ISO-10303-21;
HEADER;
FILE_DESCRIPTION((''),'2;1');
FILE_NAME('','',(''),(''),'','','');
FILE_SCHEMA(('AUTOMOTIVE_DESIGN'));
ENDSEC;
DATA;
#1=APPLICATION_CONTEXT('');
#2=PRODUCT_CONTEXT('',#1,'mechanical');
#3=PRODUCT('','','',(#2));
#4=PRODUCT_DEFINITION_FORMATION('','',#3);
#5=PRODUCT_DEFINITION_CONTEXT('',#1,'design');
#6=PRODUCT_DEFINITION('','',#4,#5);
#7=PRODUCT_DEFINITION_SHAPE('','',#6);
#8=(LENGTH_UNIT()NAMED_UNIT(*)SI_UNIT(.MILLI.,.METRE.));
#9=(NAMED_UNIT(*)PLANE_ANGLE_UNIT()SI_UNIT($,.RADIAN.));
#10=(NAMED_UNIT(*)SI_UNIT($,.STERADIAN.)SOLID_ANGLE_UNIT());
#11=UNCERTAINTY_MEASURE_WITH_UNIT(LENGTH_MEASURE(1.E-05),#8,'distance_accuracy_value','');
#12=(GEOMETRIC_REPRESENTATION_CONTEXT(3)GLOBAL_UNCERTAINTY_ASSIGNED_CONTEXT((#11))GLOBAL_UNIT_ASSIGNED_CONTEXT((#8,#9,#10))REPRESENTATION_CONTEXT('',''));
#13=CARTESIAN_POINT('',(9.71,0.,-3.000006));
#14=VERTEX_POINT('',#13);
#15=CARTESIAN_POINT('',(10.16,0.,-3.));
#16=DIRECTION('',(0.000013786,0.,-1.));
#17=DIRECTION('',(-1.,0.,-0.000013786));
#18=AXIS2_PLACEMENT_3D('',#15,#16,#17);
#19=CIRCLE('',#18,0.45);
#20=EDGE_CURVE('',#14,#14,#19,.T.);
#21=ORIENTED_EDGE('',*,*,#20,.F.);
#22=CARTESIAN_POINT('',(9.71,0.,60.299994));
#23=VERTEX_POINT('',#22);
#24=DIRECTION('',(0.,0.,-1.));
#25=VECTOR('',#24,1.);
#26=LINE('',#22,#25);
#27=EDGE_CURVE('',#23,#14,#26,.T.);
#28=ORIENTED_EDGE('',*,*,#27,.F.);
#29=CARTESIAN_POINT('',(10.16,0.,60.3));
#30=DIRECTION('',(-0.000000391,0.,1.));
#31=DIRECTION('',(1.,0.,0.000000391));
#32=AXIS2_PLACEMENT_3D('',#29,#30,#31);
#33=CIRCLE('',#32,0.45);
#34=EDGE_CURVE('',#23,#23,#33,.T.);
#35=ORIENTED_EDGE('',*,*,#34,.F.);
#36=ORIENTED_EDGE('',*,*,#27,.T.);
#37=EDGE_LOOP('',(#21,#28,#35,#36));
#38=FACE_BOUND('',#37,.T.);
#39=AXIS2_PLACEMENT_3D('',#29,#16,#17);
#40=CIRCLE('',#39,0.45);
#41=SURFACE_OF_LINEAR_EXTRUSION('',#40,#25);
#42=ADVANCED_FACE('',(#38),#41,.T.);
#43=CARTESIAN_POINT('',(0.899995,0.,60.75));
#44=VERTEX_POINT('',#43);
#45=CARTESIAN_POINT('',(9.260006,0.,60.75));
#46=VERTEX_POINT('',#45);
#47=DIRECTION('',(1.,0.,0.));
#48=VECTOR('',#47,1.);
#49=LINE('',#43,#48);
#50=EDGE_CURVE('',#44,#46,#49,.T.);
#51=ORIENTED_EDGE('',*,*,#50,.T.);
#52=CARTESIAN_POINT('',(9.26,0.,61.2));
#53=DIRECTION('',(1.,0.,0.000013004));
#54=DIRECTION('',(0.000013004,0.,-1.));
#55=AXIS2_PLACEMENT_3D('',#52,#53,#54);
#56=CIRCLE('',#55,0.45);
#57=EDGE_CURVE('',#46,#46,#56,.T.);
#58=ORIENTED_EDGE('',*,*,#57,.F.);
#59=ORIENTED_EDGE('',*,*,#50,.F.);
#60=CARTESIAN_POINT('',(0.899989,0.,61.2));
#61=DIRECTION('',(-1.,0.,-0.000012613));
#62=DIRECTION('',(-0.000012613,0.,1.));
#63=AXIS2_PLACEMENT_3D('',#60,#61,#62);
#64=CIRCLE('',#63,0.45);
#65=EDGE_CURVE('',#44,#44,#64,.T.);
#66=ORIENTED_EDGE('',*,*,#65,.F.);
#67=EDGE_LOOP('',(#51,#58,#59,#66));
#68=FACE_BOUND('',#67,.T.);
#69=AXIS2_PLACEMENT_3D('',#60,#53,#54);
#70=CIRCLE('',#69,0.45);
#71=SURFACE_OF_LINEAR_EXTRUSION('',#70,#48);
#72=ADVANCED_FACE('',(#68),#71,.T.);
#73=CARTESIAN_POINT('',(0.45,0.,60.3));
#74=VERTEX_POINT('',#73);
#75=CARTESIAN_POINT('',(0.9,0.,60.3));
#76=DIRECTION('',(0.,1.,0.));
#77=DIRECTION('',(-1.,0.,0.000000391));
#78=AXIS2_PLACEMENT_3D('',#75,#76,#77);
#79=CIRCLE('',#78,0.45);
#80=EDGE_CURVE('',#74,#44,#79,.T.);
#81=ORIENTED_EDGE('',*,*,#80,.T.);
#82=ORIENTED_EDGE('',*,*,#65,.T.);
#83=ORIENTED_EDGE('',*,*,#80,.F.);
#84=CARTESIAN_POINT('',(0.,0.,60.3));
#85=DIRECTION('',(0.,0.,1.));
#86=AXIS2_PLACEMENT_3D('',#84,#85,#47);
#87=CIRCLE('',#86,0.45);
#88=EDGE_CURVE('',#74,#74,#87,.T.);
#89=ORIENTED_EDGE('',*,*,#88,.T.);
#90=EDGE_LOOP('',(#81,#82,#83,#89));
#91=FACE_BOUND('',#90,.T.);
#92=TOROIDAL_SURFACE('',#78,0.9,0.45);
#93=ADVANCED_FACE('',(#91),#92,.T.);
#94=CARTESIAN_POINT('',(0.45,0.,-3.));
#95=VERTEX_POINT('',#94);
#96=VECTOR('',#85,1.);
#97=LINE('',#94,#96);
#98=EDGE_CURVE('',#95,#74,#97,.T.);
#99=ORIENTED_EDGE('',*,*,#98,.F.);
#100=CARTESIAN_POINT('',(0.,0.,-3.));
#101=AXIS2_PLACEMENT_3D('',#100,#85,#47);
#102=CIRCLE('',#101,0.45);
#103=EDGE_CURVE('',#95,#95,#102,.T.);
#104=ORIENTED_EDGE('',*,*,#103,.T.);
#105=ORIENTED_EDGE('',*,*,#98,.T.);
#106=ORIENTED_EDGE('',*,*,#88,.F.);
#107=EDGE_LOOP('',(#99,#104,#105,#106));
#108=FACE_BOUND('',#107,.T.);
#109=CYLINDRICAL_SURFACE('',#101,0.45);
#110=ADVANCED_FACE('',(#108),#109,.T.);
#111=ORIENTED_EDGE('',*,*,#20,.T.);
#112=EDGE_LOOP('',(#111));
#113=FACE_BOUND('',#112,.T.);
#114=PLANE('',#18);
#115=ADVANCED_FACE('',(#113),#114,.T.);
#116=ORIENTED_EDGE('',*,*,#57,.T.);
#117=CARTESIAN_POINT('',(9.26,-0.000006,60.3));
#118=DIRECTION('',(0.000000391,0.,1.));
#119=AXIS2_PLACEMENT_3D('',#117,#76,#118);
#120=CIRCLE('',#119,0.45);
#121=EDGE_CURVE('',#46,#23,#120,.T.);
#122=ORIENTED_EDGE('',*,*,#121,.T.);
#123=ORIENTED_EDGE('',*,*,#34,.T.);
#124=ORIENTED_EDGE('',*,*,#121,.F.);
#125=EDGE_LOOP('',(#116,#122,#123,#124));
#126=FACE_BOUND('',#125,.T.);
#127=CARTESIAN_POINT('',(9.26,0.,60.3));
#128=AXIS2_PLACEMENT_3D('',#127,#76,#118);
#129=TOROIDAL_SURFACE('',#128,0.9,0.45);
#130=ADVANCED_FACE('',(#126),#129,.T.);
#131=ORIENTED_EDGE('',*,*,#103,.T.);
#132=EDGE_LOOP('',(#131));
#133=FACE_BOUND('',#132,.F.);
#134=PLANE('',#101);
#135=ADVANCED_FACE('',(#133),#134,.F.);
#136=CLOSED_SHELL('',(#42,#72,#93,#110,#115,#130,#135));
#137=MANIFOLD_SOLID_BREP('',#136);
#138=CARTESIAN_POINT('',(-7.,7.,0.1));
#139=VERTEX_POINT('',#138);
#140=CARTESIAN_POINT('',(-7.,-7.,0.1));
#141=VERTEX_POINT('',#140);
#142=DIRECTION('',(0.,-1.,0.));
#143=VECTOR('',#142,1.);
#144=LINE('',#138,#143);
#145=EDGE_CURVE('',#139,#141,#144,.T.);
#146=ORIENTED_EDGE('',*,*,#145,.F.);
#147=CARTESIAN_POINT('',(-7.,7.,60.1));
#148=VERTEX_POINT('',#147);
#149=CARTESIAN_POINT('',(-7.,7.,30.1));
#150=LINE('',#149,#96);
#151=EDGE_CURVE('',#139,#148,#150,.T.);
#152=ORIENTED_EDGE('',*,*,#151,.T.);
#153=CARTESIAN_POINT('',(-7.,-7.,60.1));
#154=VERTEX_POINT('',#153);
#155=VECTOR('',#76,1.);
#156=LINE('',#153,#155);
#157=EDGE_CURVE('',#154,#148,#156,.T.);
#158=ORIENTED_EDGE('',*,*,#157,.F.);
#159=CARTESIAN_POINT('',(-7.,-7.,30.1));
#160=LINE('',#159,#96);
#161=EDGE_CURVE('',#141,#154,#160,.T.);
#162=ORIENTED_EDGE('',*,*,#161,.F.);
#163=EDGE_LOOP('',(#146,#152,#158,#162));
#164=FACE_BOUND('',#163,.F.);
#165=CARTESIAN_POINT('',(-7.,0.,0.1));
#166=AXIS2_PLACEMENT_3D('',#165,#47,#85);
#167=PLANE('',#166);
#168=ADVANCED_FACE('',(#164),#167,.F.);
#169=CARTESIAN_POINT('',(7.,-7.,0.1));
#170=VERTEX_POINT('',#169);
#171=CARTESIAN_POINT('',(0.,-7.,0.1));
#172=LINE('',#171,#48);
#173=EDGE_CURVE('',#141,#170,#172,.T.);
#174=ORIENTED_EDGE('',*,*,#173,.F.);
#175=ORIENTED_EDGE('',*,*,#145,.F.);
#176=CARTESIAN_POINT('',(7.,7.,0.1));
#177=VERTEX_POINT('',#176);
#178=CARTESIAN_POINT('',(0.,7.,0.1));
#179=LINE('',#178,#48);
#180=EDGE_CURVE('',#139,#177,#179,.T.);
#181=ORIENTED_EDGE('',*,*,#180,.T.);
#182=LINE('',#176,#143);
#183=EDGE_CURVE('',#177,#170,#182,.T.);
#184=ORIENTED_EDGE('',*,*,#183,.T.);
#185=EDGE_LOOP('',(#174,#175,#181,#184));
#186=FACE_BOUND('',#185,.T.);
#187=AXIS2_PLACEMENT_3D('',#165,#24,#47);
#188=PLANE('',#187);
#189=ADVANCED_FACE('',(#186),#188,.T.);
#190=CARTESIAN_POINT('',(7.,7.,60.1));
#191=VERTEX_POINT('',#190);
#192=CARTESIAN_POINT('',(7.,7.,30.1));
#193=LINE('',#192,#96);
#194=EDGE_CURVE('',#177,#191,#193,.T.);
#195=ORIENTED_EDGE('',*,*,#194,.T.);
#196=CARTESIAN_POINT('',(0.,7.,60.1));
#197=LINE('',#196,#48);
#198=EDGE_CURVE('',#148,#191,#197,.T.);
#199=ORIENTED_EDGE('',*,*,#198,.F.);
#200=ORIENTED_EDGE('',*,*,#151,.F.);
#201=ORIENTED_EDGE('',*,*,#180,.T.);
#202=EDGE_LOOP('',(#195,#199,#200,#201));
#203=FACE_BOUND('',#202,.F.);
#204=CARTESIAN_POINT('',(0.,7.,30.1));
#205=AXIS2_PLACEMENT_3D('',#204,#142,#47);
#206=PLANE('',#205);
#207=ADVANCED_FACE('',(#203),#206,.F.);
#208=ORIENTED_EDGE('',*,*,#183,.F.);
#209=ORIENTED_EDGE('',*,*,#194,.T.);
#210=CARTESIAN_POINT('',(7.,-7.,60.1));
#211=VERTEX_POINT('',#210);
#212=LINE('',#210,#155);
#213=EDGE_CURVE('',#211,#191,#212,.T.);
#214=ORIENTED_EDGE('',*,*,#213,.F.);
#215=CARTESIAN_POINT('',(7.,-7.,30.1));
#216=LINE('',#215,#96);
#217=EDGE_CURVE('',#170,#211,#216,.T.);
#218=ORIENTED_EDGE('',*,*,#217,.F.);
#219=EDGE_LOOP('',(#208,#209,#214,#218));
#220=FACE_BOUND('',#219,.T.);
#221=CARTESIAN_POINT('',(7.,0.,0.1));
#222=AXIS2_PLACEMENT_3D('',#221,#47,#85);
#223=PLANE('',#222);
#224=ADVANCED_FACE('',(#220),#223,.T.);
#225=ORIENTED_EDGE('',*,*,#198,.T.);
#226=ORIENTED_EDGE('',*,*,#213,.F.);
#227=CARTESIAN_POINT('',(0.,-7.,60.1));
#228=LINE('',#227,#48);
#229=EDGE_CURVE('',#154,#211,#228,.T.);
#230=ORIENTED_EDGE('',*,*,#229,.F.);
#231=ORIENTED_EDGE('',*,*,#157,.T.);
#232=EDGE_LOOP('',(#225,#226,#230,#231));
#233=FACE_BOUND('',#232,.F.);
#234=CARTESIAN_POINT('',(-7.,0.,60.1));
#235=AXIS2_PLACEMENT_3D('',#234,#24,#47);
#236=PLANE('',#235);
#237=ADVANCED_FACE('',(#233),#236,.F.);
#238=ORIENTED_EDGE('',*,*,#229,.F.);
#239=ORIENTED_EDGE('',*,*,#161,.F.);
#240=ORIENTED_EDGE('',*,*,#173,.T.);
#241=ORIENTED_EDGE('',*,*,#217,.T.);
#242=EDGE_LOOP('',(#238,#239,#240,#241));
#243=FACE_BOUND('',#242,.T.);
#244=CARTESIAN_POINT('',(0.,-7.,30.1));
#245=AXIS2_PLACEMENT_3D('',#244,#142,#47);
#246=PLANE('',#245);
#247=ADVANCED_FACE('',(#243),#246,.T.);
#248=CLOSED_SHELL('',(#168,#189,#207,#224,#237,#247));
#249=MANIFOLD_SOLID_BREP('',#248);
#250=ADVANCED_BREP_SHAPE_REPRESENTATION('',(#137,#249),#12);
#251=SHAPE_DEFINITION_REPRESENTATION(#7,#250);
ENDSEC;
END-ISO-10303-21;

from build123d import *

# Parameters (mm, degrees)
SKETCH_R    = 0.45
SKETCH002_W = 14
SKETCH002_H = 60
PAD_DEPTH   = 7


with BuildPart() as sweep_body:
    # Sweep: sweep along a path in Sketch001
    with BuildLine(Plane.XZ) as sweep_path:
        Line((0, -3), (0, 60.3))
        ThreePointArc((0, 60.3), (0.2636, 60.936392), (0.899989, 61.2))
        Line((0.899989, 61.2), (9.26, 61.2))
        ThreePointArc((9.26, 61.2), (9.896396, 60.936396), (10.16, 60.3))
        Line((10.16, 60.3), (10.16, -3))
    # Sketch → Sweep (sweep)
    with BuildSketch(Plane.XY.offset(-2)):
        Circle(SKETCH_R)
    sweep(path=sweep_path.line)


with BuildPart() as pad:
    # Sketch002 → Pad (new body, symmetric)
    with BuildSketch(Plane.XZ):
        with Locations((0, 30.1)):
            Rectangle(SKETCH002_W, SKETCH002_H)
    extrude(amount=PAD_DEPTH, both=True)


solid = Compound([sweep_body.part, pad.part])
